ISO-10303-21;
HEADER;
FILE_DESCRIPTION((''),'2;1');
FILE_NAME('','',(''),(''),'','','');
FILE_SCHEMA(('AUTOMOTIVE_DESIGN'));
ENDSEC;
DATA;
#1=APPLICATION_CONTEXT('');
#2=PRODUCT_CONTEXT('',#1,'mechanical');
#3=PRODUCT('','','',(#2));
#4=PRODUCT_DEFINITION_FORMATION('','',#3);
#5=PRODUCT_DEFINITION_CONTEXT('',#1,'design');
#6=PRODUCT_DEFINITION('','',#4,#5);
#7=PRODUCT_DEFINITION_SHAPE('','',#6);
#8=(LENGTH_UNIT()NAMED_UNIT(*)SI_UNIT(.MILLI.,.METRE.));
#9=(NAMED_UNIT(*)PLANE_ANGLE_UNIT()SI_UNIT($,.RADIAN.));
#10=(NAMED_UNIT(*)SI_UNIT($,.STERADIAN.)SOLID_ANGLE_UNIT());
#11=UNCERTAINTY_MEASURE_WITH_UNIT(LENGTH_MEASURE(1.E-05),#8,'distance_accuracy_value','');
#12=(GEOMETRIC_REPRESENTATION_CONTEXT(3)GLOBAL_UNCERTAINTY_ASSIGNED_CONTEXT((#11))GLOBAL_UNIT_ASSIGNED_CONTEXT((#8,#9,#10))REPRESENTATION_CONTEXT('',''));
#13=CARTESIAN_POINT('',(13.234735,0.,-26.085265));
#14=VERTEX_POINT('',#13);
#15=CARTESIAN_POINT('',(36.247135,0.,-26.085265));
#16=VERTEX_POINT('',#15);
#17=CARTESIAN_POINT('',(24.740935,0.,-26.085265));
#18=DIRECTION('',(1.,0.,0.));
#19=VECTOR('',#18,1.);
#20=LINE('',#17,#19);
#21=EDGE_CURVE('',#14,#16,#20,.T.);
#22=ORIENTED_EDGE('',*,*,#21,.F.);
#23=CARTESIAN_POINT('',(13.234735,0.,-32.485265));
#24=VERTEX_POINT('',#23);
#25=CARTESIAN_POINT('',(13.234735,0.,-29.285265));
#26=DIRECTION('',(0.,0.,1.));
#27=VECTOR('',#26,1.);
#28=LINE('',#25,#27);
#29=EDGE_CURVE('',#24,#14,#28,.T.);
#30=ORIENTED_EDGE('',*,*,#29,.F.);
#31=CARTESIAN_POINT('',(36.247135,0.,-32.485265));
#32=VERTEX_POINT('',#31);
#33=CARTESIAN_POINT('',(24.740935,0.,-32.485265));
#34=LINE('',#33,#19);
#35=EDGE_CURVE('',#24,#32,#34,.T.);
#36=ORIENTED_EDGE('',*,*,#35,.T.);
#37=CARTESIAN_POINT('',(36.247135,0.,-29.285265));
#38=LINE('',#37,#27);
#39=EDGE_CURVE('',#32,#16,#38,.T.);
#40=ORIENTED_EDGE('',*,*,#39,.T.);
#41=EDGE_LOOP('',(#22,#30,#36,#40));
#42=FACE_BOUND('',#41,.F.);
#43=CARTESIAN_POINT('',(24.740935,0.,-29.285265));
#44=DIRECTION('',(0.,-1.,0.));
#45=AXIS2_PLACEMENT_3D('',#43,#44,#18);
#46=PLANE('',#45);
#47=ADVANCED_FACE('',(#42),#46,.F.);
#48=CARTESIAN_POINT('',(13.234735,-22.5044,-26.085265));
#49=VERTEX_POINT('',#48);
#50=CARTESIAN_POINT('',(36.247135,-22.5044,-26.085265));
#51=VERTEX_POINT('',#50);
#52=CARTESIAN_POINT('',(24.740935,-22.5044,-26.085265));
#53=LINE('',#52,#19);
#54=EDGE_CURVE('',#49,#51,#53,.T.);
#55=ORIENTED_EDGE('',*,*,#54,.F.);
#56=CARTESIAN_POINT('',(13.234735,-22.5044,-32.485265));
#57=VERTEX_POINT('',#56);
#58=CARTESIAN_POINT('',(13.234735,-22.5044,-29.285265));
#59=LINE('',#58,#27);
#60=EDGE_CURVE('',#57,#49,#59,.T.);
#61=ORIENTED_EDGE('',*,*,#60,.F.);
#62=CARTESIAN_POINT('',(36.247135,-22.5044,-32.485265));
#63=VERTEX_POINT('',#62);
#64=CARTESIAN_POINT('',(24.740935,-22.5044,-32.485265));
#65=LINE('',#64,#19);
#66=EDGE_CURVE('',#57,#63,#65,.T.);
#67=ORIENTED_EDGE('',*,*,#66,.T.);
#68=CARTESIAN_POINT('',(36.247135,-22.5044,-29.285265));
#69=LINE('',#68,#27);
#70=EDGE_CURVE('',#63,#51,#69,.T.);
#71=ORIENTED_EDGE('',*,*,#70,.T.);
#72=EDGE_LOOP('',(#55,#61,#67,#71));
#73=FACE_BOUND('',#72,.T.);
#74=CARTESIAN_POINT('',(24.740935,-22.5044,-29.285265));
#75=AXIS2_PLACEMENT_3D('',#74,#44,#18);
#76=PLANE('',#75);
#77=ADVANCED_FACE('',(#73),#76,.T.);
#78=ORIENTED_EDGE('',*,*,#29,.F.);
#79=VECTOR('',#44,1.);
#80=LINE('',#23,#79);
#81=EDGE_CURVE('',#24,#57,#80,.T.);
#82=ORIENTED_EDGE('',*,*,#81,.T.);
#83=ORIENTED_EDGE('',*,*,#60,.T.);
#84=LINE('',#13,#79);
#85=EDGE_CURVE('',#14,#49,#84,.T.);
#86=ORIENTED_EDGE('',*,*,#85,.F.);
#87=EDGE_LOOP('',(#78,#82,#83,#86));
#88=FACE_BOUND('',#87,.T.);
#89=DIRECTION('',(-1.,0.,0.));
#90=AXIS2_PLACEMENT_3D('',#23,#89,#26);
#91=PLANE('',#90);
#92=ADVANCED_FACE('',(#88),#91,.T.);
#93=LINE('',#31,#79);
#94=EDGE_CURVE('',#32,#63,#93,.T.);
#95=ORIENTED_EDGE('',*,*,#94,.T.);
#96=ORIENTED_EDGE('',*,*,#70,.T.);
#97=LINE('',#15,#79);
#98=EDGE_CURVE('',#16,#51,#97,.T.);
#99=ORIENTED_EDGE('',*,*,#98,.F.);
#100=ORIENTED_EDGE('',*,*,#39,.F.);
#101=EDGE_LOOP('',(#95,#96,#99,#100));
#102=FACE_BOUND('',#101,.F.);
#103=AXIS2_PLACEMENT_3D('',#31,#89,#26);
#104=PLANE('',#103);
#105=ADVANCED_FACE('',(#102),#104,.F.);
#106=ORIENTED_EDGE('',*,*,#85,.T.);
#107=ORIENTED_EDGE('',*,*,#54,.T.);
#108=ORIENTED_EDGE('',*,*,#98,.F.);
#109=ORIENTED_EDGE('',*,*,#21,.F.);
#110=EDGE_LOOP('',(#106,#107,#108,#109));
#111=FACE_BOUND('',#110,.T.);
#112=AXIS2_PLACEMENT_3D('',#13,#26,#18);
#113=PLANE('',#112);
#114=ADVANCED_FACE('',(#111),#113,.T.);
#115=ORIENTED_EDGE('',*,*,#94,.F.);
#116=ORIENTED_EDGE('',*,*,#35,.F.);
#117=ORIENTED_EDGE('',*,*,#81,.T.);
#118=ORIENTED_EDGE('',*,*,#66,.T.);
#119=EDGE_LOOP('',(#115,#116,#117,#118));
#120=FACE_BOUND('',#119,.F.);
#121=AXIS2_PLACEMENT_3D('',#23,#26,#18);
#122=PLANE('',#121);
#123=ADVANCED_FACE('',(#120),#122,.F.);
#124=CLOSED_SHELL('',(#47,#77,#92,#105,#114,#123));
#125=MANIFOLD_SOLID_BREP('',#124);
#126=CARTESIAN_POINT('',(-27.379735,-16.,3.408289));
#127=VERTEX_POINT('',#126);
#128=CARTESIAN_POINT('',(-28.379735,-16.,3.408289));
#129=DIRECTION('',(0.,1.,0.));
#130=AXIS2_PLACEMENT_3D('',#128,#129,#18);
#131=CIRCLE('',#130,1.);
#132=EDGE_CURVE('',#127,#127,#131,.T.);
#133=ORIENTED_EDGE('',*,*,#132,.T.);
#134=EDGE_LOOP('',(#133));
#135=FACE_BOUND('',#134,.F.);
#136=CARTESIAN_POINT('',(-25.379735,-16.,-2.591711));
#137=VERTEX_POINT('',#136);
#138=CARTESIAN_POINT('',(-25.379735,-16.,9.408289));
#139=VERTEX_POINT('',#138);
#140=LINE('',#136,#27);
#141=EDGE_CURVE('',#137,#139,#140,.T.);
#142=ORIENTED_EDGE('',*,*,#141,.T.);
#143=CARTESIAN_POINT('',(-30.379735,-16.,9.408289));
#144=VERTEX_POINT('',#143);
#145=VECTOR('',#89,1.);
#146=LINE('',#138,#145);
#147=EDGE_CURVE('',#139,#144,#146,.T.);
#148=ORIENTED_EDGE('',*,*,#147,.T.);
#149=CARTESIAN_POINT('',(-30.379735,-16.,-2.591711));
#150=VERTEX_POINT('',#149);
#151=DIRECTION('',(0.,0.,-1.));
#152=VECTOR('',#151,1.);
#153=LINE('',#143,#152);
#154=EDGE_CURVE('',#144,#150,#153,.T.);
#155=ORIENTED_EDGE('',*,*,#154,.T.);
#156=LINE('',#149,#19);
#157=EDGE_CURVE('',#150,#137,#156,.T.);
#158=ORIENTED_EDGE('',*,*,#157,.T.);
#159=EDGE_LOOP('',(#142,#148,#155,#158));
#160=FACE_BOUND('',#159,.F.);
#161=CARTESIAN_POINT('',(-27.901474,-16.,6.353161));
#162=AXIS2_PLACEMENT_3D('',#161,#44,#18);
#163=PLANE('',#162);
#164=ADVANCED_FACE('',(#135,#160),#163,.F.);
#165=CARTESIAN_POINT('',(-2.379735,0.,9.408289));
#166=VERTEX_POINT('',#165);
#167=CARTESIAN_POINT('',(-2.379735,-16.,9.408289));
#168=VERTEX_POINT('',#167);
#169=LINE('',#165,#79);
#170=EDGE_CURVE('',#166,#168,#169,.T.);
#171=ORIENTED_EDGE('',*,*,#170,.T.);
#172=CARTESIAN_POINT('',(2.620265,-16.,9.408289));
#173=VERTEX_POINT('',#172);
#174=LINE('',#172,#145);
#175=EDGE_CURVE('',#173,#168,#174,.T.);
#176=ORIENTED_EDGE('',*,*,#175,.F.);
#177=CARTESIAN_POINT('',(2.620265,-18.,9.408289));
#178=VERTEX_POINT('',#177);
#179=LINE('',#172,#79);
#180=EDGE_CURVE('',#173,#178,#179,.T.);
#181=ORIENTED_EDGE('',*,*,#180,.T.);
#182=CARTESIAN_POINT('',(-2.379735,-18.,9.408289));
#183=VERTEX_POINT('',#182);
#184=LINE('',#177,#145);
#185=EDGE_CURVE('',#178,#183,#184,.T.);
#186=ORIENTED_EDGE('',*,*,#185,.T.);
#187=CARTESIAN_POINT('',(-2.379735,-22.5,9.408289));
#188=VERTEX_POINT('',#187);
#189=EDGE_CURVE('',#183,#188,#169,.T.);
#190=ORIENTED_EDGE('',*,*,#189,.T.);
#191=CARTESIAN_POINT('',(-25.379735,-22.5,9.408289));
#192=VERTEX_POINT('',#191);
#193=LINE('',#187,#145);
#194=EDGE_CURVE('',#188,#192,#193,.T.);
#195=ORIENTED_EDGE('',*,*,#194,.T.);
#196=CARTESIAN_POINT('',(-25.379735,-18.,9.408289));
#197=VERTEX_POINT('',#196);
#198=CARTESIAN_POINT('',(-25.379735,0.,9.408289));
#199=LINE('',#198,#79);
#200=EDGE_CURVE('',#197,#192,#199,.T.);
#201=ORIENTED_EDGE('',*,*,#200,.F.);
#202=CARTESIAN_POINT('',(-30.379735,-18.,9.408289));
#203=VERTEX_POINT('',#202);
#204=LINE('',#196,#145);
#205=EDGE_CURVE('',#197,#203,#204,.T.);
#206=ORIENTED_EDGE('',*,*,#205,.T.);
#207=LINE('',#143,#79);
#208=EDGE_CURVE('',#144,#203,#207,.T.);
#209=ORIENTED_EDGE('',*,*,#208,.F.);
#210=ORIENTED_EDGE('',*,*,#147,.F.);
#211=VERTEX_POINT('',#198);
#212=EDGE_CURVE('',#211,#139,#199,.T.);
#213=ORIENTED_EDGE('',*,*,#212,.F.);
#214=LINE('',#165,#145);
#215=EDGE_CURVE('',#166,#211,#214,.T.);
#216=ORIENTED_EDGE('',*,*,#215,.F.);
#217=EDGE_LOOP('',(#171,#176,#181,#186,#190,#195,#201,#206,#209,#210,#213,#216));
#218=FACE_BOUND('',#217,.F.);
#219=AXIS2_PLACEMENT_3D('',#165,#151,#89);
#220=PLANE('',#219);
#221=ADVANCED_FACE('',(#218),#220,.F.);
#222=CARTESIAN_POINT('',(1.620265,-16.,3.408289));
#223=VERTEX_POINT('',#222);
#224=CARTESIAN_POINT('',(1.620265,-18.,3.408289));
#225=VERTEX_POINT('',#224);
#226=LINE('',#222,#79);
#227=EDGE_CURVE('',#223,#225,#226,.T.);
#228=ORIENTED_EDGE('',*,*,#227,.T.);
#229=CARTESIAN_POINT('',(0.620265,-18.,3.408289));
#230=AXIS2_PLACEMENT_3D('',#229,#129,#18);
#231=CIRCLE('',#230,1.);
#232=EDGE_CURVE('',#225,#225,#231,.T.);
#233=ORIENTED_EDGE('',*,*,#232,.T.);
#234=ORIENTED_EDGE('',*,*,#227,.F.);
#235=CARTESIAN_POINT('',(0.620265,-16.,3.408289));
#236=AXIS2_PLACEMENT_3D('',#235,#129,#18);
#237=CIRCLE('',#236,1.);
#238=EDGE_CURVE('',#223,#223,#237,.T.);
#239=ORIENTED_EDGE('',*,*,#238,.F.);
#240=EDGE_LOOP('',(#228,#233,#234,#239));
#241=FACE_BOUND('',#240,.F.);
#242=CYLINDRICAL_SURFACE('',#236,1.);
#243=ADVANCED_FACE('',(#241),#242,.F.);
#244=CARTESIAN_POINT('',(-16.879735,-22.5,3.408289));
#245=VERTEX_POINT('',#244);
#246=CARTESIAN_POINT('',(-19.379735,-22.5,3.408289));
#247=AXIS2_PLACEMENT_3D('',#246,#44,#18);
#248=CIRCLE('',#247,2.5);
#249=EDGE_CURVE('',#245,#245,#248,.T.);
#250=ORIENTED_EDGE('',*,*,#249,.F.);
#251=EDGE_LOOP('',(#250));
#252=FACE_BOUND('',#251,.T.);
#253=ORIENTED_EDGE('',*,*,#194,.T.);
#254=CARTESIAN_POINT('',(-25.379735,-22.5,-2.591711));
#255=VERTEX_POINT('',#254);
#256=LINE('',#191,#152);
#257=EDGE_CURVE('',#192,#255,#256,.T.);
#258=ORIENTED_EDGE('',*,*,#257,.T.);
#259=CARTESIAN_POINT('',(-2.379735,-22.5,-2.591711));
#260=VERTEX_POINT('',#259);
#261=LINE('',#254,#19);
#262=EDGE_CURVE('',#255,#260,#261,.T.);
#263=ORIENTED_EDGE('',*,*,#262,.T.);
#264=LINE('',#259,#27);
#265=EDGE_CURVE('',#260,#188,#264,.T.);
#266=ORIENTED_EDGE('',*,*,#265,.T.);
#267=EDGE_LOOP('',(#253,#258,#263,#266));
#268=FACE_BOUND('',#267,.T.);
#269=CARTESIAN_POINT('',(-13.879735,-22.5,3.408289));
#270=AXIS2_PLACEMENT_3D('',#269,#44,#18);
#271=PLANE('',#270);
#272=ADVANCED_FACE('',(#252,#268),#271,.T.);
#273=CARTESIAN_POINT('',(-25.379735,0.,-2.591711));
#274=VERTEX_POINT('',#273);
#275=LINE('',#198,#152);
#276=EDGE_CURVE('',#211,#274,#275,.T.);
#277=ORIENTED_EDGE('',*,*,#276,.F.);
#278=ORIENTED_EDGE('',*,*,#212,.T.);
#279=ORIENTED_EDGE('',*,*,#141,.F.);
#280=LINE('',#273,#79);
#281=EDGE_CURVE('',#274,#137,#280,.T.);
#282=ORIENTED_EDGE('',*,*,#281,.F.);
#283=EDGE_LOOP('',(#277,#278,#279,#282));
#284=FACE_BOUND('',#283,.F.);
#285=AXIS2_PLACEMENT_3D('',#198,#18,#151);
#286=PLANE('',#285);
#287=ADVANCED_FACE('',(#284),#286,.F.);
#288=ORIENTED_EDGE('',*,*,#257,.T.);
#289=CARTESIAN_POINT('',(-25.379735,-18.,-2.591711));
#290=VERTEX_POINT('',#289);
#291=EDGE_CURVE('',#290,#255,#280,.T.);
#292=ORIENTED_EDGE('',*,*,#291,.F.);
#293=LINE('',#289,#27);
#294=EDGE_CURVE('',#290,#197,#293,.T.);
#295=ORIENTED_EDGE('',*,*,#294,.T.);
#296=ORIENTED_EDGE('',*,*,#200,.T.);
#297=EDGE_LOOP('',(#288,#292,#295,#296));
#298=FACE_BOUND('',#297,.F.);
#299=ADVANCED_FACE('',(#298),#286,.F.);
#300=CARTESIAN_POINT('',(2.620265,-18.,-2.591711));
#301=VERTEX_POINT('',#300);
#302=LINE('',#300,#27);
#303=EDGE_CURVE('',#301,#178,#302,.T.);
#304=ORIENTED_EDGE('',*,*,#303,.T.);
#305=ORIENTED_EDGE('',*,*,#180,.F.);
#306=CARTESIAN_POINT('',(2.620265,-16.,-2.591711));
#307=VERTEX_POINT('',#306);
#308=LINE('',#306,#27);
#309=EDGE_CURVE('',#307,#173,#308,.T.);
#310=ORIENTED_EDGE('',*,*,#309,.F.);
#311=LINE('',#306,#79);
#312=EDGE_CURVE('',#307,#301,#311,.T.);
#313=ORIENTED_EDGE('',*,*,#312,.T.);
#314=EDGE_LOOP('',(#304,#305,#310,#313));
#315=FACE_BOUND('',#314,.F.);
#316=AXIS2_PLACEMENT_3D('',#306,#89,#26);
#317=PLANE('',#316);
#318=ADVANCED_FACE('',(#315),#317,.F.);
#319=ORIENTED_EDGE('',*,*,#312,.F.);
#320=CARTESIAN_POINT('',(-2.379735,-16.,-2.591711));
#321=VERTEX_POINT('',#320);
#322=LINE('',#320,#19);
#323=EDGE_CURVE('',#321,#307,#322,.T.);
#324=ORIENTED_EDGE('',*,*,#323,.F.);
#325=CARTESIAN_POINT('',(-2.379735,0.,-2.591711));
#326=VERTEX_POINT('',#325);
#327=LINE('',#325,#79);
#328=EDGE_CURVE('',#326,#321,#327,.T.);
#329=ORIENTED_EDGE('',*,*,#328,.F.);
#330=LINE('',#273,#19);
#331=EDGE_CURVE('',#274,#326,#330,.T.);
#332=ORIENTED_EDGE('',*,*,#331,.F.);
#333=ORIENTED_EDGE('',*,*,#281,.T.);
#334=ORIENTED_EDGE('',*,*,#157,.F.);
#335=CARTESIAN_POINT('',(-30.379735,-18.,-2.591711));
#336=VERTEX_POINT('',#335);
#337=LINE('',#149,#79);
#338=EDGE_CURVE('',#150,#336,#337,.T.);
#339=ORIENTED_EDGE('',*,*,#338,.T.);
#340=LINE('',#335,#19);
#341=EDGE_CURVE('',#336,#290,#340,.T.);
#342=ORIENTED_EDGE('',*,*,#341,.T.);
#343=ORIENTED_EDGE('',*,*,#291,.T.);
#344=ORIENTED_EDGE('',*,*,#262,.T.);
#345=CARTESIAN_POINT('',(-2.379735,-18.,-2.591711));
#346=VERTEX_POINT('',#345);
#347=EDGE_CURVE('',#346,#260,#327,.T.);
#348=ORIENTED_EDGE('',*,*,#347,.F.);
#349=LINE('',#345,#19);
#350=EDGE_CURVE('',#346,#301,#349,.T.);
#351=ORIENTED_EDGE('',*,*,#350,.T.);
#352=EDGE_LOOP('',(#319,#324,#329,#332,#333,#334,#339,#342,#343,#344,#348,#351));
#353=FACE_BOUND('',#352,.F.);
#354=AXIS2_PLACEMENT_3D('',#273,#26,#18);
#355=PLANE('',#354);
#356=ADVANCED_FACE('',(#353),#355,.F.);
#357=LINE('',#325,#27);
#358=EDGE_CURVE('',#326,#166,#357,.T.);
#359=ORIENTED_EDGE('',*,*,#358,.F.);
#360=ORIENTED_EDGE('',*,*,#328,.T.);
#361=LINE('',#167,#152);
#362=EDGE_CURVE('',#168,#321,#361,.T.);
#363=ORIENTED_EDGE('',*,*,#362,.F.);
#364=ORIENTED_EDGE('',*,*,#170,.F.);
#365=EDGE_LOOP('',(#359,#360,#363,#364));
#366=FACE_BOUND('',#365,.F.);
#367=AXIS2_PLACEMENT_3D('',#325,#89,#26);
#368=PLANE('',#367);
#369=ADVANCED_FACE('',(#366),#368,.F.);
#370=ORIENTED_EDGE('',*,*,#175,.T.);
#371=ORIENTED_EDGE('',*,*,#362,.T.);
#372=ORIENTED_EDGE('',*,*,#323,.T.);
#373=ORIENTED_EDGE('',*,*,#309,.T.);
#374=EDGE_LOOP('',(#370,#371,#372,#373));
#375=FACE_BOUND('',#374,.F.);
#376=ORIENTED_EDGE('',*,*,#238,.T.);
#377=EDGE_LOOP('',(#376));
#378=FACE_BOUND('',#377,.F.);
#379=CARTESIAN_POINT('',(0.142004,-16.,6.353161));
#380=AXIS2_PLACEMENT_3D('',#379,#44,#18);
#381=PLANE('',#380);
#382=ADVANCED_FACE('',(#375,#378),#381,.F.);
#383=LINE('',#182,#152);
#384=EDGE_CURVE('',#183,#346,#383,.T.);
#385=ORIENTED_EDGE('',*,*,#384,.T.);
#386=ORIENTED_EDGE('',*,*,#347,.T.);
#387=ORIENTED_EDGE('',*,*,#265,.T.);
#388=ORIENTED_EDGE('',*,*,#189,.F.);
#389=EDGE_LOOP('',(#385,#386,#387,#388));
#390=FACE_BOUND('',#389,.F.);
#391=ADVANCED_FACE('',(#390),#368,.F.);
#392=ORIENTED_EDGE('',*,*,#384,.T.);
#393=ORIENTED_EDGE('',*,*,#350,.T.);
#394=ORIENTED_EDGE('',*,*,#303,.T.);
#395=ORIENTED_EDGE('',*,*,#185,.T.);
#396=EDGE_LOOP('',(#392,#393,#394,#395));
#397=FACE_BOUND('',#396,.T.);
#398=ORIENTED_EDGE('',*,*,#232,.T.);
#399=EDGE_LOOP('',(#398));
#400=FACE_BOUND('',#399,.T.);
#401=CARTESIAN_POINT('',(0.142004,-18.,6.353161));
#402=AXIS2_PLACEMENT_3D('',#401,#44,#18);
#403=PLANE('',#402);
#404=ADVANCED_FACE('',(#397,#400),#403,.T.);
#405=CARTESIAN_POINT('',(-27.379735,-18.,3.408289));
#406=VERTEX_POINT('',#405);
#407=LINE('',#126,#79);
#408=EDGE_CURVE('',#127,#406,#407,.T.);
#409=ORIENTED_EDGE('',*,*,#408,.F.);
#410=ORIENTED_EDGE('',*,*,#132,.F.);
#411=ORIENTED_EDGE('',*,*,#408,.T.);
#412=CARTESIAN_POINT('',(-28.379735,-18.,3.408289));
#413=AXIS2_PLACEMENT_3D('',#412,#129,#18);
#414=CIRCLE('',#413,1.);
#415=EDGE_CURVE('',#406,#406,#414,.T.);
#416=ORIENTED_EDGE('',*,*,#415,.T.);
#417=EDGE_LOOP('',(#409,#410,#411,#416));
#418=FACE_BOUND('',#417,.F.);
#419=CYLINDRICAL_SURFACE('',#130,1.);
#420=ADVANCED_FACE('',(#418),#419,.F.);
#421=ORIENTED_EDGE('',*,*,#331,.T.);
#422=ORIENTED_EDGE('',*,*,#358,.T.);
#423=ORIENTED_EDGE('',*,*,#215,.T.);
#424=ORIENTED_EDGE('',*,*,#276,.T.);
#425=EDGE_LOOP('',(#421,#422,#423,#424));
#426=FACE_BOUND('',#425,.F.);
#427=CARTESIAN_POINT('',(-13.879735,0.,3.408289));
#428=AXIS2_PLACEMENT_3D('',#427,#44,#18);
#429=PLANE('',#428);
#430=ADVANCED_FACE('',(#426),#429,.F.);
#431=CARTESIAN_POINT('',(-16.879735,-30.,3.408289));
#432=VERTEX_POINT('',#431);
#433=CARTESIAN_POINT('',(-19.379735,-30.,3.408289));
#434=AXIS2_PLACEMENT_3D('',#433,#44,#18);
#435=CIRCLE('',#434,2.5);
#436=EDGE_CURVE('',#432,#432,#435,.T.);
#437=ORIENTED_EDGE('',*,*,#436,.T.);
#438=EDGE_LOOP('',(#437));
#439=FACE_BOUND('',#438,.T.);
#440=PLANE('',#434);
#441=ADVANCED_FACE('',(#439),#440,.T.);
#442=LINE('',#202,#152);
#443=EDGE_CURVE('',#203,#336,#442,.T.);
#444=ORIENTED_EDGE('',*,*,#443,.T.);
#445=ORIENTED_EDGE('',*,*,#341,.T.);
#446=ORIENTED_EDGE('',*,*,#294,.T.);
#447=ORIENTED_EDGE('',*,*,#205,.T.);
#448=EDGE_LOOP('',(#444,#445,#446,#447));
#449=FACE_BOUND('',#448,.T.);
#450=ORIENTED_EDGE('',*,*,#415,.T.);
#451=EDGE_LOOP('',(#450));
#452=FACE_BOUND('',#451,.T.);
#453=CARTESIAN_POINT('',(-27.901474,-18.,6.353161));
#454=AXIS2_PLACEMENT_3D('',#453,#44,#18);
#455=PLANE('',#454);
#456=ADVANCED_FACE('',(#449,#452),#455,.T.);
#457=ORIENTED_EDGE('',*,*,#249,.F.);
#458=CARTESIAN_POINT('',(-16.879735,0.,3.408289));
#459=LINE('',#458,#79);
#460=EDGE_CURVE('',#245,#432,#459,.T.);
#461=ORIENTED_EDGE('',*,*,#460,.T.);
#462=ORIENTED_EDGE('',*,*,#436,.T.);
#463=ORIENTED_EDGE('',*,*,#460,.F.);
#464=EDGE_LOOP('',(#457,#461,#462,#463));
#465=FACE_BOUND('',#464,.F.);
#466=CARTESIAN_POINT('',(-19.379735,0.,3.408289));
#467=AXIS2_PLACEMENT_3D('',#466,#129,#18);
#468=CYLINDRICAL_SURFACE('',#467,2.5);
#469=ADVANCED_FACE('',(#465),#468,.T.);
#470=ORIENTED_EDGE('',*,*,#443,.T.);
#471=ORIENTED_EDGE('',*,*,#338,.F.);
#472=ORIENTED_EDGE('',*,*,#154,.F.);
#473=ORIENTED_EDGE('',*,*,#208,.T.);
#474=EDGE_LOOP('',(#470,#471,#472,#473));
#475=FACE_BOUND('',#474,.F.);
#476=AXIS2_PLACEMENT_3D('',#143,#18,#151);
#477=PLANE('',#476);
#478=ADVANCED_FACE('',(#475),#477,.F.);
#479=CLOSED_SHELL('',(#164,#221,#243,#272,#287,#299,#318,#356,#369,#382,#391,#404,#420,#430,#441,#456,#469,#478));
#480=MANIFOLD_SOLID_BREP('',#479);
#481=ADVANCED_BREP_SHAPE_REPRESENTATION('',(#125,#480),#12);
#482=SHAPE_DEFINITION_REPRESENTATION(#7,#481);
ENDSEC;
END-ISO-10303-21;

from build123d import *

# Parameters (mm, degrees)
F0_R     = 2.5
F1_DEPTH = 30
F2_DEPTH = 22.5
F3_START = 16
F3_DEPTH = 2
F0_W     = 23.0124
F0_H     = 6.4
F4_DEPTH = 22.5044


with BuildPart() as f1:
    # F0 (on Front) → F1 (new body)
    with BuildSketch(Plane.XZ):
        with Locations((-19.3797349334, 3.4082894735)):
            Circle(F0_R)
    extrude(amount=F1_DEPTH)

    # F0 (on Front) → F2 (join)
    with BuildSketch(Plane.XZ):
        Polygon((-2.3797349334, 9.4082894735), (-25.3797349334, 9.4082894735), (-25.3797349334, 3.4082894735), (-25.3797349334, -2.5917105265), (-2.3797349334, -2.5917105265), (-2.3797349334, 3.4082894735), align=None)
        with Locations((-19.3797349334, 3.4082894735)):
            Circle(F0_R, mode=Mode.SUBTRACT)
    extrude(amount=F2_DEPTH)

    # F0 (on Front) → F3 (join)
    with BuildSketch(Plane.XZ.offset(F3_START)):
        with BuildLine():
            Line((2.6202650666, 9.4082894735), (-2.3797349334, 9.4082894735))
            Line((-2.3797349334, 9.4082894735), (-2.3797349334, 3.4082894735))
            Line((-2.3797349334, 3.4082894735), (-0.3797349334, 3.4082894735))
            ThreePointArc((-0.3797349334, 3.4082894735), (0.6202650666, 4.4082894735), (1.6202650666, 3.4082894735))
            Line((1.6202650666, 3.4082894735), (2.6202650666, 3.4082894735))
            Line((2.6202650666, 3.4082894735), (2.6202650666, 9.4082894735))
        make_face()
        with BuildLine():
            Line((-25.3797349334, 3.4082894735), (-25.3797349334, 9.4082894735))
            Line((-25.3797349334, 9.4082894735), (-30.3797349334, 9.4082894735))
            Line((-30.3797349334, 9.4082894735), (-30.3797349334, 3.4082894735))
            Line((-30.3797349334, 3.4082894735), (-29.3797349334, 3.4082894735))
            ThreePointArc((-29.3797349334, 3.4082894735), (-28.3797349334, 4.4082894735), (-27.3797349334, 3.4082894735))
            Line((-27.3797349334, 3.4082894735), (-25.3797349334, 3.4082894735))
        make_face()
        with BuildLine():
            Line((-25.3797349334, -2.5917105265), (-25.3797349334, 3.4082894735))
            Line((-25.3797349334, 3.4082894735), (-27.3797349334, 3.4082894735))
            ThreePointArc((-27.3797349334, 3.4082894735), (-28.3797349334, 2.4082894735), (-29.3797349334, 3.4082894735))
            Line((-29.3797349334, 3.4082894735), (-30.3797349334, 3.4082894735))
            Line((-30.3797349334, 3.4082894735), (-30.3797349334, -2.5917105265))
            Line((-30.3797349334, -2.5917105265), (-25.3797349334, -2.5917105265))
        make_face()
        with BuildLine():
            Line((-0.3797349334, 3.4082894735), (-2.3797349334, 3.4082894735))
            Line((-2.3797349334, 3.4082894735), (-2.3797349334, -2.5917105265))
            Line((-2.3797349334, -2.5917105265), (2.6202650666, -2.5917105265))
            Line((2.6202650666, -2.5917105265), (2.6202650666, 3.4082894735))
            Line((2.6202650666, 3.4082894735), (1.6202650666, 3.4082894735))
            ThreePointArc((1.6202650666, 3.4082894735), (0.6202650666, 2.4082894735), (-0.3797349334, 3.4082894735))
        make_face()
    extrude(amount=F3_DEPTH)


with BuildPart() as f4:
    # F0 (on Front) → F4 (new body)
    with BuildSketch(Plane.XZ):
        with Locations((24.7409354665, -29.2852652848)):
            Rectangle(F0_W, F0_H)
    extrude(amount=F4_DEPTH)


solid = Compound([f1.part, f4.part])
